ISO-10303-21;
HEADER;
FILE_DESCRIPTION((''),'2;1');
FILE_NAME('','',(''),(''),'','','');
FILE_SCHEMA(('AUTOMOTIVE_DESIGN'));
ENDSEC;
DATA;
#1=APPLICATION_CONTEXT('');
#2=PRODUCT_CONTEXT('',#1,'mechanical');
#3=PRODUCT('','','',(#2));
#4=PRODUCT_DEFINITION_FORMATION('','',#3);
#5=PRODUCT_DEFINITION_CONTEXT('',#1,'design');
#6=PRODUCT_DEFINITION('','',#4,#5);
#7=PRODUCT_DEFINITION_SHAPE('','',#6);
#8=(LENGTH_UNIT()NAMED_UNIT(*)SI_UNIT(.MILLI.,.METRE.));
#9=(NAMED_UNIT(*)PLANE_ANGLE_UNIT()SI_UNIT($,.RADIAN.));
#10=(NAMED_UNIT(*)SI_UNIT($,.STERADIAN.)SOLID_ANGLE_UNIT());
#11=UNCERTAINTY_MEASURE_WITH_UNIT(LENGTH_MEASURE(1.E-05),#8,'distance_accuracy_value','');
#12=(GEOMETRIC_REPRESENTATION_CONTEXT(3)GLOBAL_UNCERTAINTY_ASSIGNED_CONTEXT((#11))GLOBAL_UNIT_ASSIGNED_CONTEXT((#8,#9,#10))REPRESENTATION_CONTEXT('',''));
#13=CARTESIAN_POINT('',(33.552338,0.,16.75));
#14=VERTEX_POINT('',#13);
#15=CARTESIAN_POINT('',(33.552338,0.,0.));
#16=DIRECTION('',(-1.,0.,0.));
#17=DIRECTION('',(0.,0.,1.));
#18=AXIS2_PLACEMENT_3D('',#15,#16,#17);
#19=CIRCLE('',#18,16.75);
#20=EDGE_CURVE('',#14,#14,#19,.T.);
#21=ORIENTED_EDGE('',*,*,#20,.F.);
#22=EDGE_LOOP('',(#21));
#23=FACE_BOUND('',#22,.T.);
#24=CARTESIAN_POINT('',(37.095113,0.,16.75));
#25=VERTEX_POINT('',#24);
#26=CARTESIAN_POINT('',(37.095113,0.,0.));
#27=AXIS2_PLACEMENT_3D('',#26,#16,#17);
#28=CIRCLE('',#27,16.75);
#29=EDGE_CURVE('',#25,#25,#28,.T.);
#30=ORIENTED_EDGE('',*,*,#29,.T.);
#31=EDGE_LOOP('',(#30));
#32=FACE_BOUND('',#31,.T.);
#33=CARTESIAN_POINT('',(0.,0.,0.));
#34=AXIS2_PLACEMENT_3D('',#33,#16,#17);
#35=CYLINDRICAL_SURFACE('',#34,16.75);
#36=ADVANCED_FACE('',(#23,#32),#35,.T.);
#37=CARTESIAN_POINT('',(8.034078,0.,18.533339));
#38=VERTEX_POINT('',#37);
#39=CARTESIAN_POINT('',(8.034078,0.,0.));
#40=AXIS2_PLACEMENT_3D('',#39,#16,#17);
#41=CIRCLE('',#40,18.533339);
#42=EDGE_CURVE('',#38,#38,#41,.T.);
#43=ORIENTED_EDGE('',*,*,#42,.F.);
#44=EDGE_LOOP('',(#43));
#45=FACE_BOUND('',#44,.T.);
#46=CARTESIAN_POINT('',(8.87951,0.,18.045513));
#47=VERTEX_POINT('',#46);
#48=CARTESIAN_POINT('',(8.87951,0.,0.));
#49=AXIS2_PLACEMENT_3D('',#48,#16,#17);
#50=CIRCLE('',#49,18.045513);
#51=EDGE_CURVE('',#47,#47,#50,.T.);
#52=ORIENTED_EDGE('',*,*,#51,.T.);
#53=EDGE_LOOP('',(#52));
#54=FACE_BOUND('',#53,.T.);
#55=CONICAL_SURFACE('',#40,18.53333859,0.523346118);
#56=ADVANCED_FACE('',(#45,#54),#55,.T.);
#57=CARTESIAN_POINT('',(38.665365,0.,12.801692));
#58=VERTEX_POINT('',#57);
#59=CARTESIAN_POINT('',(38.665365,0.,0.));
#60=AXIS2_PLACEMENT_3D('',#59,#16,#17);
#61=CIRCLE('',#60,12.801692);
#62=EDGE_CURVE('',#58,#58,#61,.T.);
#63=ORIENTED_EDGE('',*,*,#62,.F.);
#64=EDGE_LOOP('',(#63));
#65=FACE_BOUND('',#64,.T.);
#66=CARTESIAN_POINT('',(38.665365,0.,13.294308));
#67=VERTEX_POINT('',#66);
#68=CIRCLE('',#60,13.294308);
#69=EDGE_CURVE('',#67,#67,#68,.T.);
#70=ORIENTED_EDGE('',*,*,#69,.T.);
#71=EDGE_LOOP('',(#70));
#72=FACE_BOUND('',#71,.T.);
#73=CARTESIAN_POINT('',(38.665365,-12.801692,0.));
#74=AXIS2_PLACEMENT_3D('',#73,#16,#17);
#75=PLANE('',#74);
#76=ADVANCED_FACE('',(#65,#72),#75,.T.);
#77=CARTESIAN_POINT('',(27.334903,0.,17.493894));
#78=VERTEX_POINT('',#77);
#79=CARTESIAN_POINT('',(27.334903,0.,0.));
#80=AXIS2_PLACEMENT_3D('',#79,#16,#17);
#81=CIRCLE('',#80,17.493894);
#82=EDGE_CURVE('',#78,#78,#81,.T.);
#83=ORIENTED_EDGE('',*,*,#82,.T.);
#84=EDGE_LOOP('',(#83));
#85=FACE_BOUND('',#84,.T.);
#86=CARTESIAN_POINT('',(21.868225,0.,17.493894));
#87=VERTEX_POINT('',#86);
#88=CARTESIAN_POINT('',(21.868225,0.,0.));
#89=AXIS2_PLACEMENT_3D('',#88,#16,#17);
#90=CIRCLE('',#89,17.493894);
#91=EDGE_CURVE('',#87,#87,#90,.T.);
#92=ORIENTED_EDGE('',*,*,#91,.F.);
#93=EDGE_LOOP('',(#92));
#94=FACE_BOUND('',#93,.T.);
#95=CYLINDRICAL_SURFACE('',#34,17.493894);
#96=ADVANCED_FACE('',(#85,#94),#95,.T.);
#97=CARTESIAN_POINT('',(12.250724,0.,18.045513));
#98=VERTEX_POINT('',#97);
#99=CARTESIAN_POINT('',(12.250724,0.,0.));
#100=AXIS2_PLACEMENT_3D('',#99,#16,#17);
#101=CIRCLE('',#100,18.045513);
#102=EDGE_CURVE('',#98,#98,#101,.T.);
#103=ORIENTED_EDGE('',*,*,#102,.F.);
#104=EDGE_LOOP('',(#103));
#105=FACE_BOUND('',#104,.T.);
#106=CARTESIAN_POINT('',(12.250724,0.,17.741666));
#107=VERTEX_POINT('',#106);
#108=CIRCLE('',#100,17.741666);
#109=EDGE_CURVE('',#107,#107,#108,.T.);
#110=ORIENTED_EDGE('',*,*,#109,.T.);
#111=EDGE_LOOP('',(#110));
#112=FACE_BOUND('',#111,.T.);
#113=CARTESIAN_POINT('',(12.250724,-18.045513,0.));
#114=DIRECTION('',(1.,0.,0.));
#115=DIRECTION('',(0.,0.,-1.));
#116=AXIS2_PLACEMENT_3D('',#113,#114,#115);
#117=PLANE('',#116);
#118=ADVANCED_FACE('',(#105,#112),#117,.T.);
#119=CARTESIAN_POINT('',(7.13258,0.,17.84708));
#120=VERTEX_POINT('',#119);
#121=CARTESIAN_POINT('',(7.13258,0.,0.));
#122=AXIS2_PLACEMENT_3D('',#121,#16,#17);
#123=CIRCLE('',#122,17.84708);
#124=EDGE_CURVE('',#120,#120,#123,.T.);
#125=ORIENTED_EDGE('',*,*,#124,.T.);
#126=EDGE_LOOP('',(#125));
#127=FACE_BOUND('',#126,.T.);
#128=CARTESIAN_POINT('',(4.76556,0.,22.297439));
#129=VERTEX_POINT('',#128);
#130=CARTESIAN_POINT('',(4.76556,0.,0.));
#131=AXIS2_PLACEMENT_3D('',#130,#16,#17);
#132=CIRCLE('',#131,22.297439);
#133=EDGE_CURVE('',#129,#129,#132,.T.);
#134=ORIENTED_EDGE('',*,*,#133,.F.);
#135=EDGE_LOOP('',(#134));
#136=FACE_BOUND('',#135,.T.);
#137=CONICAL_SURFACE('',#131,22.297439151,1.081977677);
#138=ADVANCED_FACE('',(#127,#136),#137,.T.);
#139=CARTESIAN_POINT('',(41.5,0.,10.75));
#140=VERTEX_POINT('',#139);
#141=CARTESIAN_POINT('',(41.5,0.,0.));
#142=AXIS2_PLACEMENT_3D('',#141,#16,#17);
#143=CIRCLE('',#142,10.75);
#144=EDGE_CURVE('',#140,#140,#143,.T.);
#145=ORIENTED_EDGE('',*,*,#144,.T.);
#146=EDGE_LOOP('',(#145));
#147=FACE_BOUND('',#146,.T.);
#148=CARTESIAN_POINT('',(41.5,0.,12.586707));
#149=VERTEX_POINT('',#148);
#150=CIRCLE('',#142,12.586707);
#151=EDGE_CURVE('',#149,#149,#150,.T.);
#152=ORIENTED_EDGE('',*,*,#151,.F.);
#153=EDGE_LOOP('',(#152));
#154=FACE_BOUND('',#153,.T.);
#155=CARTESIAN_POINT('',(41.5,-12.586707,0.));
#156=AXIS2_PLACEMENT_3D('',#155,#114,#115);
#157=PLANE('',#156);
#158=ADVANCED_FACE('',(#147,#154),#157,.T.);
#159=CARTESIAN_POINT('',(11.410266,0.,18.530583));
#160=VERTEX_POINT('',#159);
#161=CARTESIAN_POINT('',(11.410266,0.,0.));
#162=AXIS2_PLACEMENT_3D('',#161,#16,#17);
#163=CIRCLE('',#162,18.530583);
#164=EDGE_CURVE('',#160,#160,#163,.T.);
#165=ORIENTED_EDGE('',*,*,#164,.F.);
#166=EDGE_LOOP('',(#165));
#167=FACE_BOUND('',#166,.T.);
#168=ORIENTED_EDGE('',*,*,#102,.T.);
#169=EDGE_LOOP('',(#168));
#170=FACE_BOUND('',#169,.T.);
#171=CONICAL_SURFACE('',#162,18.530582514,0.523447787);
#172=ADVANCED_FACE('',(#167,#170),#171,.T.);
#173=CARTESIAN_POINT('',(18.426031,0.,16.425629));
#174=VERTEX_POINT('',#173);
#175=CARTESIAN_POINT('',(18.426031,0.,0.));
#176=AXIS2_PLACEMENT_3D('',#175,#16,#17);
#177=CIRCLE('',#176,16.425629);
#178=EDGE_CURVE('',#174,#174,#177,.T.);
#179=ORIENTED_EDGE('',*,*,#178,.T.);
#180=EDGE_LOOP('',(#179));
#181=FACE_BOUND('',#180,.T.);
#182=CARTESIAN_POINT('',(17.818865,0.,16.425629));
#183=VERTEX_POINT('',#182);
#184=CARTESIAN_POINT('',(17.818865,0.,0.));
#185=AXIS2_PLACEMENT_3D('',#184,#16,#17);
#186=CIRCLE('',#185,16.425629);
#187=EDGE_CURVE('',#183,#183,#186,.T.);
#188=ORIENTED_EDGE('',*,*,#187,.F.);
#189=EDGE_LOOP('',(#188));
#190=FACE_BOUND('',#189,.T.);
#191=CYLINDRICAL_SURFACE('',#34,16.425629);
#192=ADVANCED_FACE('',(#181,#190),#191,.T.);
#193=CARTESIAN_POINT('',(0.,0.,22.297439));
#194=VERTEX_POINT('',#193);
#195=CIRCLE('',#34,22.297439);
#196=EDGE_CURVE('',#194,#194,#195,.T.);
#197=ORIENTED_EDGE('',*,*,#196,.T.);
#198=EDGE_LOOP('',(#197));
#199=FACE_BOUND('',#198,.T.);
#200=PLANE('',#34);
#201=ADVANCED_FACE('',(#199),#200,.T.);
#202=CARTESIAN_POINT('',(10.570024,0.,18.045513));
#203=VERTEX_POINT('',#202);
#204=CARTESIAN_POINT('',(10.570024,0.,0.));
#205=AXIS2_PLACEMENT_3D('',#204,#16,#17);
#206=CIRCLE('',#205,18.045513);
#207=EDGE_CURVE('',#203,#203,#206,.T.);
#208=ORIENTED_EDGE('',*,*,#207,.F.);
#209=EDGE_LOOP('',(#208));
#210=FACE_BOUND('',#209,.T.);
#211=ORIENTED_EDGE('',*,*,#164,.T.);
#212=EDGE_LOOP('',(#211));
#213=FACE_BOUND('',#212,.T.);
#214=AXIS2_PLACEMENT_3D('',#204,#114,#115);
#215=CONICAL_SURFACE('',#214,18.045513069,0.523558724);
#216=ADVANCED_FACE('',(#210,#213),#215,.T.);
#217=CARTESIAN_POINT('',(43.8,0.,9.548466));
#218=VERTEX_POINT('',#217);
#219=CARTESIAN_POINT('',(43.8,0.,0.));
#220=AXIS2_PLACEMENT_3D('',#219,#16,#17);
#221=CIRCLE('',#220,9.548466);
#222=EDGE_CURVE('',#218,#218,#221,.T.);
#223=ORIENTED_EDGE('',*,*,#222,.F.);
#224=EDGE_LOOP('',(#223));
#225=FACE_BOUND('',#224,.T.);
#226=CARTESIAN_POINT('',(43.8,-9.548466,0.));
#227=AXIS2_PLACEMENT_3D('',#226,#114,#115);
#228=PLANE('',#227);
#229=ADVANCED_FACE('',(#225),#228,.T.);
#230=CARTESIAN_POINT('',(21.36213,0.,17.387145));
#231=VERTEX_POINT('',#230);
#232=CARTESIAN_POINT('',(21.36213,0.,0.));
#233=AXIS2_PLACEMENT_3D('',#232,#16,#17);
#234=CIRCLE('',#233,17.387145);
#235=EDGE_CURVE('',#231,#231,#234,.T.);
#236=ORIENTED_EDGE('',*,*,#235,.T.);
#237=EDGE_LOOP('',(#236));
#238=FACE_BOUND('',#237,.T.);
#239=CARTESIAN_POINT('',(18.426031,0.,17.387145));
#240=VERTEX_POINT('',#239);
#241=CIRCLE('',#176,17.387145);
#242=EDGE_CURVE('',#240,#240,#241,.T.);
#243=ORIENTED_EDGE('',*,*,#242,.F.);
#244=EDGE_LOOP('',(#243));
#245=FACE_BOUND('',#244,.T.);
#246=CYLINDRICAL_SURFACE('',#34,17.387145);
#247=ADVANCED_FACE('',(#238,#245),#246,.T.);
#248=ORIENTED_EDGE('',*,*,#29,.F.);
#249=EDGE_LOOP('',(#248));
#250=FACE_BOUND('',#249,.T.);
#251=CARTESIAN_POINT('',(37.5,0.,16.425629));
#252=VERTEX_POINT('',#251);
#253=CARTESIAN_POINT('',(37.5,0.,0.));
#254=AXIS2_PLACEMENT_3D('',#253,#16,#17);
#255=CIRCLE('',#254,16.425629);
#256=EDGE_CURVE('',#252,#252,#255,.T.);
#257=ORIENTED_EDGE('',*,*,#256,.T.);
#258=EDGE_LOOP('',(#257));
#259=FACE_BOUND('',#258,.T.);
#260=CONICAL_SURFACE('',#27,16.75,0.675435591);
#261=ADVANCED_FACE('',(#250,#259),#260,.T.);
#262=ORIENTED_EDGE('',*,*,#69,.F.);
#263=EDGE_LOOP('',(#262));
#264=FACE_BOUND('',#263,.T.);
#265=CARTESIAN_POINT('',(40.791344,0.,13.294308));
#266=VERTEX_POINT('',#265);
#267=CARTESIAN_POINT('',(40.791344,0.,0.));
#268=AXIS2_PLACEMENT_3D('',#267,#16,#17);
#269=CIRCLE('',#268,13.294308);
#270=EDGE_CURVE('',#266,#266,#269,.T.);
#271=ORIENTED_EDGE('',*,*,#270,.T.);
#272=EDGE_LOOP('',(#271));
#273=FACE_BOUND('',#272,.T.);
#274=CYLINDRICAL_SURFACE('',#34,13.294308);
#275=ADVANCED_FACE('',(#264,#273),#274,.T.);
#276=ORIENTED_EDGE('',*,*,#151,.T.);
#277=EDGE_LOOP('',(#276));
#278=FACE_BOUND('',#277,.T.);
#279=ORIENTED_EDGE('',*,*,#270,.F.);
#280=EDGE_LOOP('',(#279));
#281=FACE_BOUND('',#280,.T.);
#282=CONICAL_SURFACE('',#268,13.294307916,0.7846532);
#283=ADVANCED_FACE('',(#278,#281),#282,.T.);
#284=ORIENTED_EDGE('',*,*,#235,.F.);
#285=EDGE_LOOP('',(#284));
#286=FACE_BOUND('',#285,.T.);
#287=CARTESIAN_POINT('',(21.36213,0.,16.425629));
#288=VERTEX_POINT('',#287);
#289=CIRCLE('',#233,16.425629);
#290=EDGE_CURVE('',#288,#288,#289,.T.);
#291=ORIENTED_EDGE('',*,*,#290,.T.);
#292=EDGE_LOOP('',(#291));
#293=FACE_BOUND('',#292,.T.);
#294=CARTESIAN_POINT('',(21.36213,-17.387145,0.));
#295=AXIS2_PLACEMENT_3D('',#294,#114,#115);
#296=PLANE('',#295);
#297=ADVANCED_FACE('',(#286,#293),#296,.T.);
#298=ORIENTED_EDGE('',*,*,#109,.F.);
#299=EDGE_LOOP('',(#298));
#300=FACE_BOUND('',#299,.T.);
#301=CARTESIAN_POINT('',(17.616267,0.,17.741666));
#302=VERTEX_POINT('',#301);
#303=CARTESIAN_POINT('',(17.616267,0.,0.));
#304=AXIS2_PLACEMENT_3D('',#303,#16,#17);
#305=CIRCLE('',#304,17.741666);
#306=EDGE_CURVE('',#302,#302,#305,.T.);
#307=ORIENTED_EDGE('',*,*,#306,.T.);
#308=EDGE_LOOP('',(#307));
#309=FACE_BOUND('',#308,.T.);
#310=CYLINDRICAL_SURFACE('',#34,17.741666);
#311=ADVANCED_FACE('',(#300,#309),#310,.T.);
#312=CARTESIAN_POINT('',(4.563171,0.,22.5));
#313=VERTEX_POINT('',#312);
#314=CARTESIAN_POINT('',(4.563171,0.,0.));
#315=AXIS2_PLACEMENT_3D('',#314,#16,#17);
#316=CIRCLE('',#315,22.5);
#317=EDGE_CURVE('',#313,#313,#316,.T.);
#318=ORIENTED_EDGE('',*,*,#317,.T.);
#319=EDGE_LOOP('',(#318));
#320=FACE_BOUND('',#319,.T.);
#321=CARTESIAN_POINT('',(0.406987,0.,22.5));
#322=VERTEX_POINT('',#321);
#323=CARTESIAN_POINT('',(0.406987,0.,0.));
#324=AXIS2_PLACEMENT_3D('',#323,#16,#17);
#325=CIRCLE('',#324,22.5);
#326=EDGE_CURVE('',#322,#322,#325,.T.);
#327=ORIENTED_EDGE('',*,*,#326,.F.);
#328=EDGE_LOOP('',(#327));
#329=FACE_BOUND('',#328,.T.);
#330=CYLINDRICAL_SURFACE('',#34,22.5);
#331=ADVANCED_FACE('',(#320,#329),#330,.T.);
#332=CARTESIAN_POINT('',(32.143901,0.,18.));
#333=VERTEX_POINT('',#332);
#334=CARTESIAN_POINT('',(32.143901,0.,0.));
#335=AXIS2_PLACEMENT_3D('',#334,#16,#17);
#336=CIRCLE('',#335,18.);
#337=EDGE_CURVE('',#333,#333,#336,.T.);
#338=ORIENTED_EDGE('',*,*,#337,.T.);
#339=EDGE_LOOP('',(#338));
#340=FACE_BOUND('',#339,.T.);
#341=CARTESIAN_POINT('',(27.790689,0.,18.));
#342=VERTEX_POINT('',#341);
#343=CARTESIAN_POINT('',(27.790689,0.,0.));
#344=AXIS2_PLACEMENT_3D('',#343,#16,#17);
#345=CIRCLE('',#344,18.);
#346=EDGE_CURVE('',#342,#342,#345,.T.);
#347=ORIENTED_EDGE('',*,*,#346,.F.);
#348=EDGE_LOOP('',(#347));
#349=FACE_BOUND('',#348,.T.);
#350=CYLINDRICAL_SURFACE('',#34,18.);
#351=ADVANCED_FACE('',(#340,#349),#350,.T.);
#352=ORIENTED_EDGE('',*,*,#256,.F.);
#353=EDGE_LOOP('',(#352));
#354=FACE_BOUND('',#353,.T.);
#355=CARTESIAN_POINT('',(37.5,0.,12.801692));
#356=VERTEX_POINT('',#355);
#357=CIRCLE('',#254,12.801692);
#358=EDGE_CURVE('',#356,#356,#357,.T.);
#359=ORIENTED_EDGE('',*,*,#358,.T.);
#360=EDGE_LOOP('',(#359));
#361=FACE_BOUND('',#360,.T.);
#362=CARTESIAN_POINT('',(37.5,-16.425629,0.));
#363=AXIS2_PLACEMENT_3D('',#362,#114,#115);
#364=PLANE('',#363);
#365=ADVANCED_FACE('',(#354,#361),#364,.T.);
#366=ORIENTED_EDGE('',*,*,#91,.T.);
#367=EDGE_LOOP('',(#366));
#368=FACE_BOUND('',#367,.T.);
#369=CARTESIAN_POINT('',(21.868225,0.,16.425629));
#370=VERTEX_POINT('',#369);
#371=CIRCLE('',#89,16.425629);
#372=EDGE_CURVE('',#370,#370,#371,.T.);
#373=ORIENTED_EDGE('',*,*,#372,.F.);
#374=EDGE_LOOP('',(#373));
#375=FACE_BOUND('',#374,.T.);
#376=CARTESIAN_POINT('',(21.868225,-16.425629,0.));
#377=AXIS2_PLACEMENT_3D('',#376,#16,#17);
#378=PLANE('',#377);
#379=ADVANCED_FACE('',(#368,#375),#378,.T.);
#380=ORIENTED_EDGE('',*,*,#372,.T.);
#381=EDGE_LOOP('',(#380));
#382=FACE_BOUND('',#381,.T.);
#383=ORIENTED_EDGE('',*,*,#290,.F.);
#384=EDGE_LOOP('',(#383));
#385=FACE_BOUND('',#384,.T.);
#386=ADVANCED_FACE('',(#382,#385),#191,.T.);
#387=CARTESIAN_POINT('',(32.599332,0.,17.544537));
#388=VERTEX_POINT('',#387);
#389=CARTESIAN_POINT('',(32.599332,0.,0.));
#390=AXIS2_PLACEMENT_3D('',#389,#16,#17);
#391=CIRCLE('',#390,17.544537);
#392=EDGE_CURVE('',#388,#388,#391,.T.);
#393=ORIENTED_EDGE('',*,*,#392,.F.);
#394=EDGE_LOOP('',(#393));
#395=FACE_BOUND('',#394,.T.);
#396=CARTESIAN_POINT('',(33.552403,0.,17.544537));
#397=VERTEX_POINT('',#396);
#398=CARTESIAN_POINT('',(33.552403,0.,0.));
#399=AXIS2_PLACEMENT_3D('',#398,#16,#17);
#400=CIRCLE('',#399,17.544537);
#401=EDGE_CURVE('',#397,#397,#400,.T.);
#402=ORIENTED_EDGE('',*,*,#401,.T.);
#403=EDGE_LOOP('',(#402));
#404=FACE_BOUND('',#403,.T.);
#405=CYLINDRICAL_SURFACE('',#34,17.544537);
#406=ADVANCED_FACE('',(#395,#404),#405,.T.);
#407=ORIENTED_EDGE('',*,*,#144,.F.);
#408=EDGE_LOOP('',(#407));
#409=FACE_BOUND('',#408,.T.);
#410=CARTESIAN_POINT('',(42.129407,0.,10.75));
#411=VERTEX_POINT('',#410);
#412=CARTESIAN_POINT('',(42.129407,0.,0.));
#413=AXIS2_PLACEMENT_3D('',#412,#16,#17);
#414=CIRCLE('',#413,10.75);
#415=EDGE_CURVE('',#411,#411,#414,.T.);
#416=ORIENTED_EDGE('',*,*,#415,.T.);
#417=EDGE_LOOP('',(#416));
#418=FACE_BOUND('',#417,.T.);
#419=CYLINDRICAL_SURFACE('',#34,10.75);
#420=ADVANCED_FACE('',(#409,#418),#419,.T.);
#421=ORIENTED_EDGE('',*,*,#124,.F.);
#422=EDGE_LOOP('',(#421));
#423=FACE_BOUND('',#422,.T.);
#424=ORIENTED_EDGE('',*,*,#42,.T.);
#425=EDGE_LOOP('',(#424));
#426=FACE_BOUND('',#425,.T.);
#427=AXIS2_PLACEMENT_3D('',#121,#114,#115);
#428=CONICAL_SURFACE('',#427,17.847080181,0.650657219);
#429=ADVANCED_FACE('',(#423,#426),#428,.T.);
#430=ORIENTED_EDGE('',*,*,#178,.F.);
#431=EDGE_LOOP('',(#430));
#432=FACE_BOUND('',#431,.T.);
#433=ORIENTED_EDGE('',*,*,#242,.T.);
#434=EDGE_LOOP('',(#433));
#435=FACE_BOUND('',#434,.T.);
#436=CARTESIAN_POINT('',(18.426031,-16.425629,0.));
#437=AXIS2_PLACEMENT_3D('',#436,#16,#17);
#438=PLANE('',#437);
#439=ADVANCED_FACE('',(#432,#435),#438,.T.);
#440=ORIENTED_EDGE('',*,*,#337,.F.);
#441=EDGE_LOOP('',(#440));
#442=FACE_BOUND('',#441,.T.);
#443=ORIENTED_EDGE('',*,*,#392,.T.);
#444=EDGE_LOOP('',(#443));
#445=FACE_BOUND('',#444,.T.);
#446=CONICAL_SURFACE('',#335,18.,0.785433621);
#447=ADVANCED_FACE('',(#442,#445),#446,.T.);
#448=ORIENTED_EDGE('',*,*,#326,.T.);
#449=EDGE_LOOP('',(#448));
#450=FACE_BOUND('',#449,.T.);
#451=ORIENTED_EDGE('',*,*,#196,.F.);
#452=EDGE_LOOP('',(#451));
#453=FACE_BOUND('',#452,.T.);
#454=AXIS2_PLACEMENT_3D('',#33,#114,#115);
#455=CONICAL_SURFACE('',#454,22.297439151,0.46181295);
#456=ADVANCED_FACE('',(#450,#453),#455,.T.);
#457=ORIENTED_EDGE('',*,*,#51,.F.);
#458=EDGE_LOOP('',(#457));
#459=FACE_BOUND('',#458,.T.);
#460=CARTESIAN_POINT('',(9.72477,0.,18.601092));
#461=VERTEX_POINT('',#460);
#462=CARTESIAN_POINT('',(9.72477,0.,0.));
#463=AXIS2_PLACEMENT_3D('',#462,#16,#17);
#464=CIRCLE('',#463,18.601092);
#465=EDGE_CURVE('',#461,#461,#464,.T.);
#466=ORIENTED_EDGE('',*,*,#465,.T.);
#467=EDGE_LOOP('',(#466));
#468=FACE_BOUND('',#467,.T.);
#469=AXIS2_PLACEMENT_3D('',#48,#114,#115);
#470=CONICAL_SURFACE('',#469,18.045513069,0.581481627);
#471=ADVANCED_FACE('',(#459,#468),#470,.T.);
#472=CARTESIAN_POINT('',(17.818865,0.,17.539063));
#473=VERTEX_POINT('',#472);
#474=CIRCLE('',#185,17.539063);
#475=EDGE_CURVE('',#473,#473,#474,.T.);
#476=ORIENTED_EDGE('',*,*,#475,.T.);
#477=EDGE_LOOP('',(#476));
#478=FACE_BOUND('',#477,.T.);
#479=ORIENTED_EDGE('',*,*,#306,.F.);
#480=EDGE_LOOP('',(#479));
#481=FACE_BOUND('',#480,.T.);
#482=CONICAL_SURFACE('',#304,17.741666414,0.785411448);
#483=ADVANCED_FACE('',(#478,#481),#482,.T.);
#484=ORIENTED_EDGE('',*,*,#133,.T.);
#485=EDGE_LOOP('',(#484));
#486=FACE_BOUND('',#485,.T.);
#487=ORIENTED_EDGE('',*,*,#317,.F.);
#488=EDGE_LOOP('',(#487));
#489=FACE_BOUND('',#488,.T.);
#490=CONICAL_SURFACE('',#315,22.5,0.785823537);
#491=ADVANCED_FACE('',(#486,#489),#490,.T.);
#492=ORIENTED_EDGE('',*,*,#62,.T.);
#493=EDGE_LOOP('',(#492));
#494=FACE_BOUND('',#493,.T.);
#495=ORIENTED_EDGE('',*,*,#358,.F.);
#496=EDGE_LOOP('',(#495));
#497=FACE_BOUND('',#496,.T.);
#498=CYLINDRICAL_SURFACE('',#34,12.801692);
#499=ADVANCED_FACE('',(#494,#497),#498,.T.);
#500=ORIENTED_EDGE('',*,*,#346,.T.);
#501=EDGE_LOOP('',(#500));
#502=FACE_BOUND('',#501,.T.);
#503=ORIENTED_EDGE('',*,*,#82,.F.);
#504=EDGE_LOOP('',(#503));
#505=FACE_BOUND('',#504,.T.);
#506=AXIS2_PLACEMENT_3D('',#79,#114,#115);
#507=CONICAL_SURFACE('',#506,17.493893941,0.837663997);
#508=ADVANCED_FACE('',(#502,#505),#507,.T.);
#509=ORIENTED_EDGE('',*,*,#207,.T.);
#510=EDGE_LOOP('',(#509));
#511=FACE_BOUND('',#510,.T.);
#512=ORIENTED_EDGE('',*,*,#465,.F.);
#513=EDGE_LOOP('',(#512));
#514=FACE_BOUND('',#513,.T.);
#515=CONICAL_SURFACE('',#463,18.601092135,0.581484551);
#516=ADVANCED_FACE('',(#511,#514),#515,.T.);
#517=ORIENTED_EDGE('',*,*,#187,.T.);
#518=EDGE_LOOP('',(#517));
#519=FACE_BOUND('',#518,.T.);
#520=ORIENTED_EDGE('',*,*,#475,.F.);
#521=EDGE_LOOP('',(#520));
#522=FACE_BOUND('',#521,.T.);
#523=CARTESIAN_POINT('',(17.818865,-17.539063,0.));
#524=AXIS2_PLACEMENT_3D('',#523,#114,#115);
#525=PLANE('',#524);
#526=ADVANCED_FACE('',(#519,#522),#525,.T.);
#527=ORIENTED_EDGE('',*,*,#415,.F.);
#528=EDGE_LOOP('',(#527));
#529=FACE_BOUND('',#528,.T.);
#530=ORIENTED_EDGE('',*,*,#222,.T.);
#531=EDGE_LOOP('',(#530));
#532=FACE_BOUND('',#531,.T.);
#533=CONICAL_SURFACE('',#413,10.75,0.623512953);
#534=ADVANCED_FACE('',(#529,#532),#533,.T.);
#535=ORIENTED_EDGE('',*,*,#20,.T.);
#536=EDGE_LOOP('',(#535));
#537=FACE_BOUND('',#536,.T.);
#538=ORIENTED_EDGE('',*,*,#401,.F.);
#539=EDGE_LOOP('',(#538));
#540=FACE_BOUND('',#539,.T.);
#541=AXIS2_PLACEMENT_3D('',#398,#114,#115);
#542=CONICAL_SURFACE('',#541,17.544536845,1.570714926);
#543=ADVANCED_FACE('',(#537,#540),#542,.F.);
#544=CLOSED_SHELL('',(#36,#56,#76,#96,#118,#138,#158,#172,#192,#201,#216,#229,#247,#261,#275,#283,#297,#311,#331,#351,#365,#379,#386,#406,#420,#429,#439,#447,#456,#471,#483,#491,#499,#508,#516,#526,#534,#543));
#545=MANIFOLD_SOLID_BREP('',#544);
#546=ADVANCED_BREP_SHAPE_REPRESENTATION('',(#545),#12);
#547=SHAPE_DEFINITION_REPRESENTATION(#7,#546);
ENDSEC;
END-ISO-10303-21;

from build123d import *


with BuildPart() as part:
    # Model → Повернуть1 (revolve)
    with BuildSketch(Plane.XY, mode=Mode.PRIVATE) as revolve_1_sk:
        Polygon((0, 0), (0, -22.297439151), (0.406986693, -22.5), (4.563171418, -22.5), (4.765560012, -22.297439151), (7.132579794, -17.847080181), (8.034078204, -18.53333859), (8.879510019, -18.045513069), (9.72476958, -18.601092135), (10.570023757, -18.045513069), (11.410266397, -18.530582514), (12.250724355, -18.045513069), (12.250724355, -17.741666414), (17.616266787, -17.741666414), (17.818865316, -17.539062501), (17.818865316, -16.425629172), (18.426031098, -16.425629172), (18.426031098, -17.387144556), (21.362129874, -17.387144556), (21.362129874, -16.425629172), (21.868225167, -16.425629172), (21.868225167, -17.493893941), (27.334902683, -17.493893941), (27.790688815, -18), (32.143900705, -18), (32.599331562, -17.544536845), (33.552402733, -17.544536845), (33.552338057, -16.75), (37.095113357, -16.75), (37.5, -16.425629172), (37.5, -12.801691559), (38.665364669, -12.801691559), (38.665364669, -13.294307916), (40.791343859, -13.294307916), (41.5, -12.586706835), (41.5, -10.75), (42.129406807, -10.75), (43.8, -9.548466361), (43.8, 0), align=None)
    revolve(revolve_1_sk.sketch.rotate(Axis((0, 0, 0), (1, 0, 0)), 270), axis=Axis((0, 0, 0), (1, 0, 0)))


solid = part.part
